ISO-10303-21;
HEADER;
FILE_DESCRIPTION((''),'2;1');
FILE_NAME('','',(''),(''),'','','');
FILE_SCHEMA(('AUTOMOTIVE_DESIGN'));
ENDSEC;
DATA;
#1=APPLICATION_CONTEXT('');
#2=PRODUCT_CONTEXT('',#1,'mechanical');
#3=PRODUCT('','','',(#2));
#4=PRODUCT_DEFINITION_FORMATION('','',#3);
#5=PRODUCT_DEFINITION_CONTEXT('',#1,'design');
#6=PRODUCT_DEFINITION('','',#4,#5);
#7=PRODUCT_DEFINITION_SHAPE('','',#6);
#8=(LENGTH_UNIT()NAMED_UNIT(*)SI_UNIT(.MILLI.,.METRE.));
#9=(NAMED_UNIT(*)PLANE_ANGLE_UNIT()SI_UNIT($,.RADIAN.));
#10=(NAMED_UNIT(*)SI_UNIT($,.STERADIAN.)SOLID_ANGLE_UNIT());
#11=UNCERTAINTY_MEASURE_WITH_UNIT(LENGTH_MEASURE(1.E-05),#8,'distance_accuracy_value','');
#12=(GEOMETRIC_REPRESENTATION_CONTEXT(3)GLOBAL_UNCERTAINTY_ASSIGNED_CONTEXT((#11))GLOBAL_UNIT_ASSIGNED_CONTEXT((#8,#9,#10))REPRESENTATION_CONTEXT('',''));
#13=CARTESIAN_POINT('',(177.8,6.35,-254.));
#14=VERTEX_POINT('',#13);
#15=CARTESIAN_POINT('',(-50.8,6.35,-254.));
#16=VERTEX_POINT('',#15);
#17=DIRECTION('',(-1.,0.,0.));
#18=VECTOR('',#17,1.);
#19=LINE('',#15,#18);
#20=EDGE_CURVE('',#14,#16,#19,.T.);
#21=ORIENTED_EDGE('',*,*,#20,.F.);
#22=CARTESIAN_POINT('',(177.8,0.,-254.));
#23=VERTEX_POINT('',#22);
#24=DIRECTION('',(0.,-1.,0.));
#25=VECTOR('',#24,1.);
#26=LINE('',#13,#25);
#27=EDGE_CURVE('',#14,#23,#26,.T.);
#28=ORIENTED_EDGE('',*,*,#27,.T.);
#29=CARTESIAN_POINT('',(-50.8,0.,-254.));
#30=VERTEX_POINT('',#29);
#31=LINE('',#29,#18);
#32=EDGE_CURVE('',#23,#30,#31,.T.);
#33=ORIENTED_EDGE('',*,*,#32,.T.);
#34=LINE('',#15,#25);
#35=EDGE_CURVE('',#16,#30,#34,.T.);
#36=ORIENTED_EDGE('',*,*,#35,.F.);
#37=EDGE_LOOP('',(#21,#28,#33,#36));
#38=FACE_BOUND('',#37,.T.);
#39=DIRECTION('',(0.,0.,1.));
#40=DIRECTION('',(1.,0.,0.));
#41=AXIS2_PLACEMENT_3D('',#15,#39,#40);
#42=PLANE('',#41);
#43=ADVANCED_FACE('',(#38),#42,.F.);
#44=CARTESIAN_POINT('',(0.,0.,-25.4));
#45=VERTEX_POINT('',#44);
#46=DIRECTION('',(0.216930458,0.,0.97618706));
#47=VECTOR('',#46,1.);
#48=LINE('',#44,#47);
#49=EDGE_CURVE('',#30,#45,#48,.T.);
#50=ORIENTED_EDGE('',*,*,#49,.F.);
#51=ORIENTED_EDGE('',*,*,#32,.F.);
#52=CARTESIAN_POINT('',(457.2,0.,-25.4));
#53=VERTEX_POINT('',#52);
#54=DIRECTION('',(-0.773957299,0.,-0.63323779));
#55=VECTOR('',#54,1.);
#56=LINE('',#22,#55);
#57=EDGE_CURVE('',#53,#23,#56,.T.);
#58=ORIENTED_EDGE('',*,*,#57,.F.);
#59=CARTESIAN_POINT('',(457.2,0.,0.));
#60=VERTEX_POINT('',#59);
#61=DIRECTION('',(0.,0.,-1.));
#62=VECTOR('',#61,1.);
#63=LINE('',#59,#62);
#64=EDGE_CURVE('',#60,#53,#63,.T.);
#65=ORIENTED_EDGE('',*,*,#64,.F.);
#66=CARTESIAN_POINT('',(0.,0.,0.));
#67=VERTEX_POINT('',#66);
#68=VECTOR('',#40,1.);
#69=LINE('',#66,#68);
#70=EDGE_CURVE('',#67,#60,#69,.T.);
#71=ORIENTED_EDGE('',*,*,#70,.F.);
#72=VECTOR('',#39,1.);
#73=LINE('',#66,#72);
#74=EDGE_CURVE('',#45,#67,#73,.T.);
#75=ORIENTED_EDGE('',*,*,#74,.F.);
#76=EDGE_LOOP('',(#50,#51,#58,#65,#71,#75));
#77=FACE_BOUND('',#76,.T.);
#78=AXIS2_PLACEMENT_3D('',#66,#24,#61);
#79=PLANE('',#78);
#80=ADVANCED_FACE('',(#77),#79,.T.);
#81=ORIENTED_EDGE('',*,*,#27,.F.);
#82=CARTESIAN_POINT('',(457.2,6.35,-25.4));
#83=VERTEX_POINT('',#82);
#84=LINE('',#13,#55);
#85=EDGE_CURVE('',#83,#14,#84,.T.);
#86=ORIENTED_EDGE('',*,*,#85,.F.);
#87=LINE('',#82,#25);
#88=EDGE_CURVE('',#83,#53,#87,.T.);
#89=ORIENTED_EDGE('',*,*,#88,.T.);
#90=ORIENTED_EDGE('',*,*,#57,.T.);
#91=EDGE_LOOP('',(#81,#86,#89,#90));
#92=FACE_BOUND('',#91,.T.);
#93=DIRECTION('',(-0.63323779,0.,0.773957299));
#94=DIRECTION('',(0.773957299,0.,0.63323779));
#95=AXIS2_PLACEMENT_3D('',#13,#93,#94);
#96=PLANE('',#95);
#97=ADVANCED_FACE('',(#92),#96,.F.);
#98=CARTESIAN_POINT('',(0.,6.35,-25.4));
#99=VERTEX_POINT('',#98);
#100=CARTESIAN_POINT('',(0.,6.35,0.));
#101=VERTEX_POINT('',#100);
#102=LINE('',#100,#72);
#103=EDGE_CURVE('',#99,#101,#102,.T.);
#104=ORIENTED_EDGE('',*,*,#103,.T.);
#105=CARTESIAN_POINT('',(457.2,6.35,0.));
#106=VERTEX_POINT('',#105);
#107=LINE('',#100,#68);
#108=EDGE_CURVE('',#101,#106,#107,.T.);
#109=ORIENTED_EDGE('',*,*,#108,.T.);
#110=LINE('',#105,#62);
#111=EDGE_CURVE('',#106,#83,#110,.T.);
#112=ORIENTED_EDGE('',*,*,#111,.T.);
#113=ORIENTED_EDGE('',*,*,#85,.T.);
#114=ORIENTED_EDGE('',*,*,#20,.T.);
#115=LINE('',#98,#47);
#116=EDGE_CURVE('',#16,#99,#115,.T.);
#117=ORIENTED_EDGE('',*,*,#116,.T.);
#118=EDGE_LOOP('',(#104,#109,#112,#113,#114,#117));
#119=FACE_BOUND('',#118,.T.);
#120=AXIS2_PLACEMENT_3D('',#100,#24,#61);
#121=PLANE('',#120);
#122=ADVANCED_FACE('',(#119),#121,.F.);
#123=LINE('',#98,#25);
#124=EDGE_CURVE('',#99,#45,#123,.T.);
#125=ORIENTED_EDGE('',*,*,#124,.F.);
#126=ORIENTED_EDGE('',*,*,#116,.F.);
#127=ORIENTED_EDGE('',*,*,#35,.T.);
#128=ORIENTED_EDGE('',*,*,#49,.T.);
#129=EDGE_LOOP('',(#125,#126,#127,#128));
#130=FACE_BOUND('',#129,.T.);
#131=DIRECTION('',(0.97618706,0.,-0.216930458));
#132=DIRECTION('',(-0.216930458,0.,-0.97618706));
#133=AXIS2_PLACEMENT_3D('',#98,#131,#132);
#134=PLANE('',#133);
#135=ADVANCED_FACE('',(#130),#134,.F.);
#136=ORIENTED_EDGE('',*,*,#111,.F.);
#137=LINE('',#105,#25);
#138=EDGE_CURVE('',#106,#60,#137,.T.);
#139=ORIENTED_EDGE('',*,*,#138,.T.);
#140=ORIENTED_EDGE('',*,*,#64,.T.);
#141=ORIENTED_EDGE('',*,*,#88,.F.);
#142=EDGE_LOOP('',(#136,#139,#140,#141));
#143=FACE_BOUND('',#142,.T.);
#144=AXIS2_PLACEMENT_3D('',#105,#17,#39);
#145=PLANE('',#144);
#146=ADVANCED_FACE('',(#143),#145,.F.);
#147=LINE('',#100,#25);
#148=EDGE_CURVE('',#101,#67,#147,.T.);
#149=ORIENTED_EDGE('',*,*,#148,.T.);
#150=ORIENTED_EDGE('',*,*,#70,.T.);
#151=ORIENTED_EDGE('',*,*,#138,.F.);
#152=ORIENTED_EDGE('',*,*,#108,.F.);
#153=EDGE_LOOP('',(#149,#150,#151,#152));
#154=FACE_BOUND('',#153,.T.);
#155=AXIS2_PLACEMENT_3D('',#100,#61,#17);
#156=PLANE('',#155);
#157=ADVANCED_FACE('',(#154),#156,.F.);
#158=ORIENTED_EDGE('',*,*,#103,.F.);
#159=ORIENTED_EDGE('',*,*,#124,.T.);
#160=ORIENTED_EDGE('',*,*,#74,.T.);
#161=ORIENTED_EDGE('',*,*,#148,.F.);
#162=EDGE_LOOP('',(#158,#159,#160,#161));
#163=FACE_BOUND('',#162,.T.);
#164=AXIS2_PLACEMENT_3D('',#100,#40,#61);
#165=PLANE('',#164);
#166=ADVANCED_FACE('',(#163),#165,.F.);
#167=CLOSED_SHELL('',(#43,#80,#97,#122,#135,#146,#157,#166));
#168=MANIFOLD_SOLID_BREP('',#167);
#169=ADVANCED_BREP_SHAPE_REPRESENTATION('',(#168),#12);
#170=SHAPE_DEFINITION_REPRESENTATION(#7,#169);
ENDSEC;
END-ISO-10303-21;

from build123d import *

# Parameters (mm, degrees)
BOSS_EXTRUDE1_DEPTH = 6.35


with BuildPart() as part:
    # Sketch1 → Boss-Extrude1 (new body)
    with BuildSketch(Plane(origin=(0, 0, 0), x_dir=(1, 0, 0), z_dir=(0, 1, 0))):
        Polygon((0, 25.4), (-50.8, 254), (177.8, 254), (457.2, 25.4), (457.2, 0), (0, 0), align=None)
    extrude(amount=BOSS_EXTRUDE1_DEPTH)


solid = part.part
